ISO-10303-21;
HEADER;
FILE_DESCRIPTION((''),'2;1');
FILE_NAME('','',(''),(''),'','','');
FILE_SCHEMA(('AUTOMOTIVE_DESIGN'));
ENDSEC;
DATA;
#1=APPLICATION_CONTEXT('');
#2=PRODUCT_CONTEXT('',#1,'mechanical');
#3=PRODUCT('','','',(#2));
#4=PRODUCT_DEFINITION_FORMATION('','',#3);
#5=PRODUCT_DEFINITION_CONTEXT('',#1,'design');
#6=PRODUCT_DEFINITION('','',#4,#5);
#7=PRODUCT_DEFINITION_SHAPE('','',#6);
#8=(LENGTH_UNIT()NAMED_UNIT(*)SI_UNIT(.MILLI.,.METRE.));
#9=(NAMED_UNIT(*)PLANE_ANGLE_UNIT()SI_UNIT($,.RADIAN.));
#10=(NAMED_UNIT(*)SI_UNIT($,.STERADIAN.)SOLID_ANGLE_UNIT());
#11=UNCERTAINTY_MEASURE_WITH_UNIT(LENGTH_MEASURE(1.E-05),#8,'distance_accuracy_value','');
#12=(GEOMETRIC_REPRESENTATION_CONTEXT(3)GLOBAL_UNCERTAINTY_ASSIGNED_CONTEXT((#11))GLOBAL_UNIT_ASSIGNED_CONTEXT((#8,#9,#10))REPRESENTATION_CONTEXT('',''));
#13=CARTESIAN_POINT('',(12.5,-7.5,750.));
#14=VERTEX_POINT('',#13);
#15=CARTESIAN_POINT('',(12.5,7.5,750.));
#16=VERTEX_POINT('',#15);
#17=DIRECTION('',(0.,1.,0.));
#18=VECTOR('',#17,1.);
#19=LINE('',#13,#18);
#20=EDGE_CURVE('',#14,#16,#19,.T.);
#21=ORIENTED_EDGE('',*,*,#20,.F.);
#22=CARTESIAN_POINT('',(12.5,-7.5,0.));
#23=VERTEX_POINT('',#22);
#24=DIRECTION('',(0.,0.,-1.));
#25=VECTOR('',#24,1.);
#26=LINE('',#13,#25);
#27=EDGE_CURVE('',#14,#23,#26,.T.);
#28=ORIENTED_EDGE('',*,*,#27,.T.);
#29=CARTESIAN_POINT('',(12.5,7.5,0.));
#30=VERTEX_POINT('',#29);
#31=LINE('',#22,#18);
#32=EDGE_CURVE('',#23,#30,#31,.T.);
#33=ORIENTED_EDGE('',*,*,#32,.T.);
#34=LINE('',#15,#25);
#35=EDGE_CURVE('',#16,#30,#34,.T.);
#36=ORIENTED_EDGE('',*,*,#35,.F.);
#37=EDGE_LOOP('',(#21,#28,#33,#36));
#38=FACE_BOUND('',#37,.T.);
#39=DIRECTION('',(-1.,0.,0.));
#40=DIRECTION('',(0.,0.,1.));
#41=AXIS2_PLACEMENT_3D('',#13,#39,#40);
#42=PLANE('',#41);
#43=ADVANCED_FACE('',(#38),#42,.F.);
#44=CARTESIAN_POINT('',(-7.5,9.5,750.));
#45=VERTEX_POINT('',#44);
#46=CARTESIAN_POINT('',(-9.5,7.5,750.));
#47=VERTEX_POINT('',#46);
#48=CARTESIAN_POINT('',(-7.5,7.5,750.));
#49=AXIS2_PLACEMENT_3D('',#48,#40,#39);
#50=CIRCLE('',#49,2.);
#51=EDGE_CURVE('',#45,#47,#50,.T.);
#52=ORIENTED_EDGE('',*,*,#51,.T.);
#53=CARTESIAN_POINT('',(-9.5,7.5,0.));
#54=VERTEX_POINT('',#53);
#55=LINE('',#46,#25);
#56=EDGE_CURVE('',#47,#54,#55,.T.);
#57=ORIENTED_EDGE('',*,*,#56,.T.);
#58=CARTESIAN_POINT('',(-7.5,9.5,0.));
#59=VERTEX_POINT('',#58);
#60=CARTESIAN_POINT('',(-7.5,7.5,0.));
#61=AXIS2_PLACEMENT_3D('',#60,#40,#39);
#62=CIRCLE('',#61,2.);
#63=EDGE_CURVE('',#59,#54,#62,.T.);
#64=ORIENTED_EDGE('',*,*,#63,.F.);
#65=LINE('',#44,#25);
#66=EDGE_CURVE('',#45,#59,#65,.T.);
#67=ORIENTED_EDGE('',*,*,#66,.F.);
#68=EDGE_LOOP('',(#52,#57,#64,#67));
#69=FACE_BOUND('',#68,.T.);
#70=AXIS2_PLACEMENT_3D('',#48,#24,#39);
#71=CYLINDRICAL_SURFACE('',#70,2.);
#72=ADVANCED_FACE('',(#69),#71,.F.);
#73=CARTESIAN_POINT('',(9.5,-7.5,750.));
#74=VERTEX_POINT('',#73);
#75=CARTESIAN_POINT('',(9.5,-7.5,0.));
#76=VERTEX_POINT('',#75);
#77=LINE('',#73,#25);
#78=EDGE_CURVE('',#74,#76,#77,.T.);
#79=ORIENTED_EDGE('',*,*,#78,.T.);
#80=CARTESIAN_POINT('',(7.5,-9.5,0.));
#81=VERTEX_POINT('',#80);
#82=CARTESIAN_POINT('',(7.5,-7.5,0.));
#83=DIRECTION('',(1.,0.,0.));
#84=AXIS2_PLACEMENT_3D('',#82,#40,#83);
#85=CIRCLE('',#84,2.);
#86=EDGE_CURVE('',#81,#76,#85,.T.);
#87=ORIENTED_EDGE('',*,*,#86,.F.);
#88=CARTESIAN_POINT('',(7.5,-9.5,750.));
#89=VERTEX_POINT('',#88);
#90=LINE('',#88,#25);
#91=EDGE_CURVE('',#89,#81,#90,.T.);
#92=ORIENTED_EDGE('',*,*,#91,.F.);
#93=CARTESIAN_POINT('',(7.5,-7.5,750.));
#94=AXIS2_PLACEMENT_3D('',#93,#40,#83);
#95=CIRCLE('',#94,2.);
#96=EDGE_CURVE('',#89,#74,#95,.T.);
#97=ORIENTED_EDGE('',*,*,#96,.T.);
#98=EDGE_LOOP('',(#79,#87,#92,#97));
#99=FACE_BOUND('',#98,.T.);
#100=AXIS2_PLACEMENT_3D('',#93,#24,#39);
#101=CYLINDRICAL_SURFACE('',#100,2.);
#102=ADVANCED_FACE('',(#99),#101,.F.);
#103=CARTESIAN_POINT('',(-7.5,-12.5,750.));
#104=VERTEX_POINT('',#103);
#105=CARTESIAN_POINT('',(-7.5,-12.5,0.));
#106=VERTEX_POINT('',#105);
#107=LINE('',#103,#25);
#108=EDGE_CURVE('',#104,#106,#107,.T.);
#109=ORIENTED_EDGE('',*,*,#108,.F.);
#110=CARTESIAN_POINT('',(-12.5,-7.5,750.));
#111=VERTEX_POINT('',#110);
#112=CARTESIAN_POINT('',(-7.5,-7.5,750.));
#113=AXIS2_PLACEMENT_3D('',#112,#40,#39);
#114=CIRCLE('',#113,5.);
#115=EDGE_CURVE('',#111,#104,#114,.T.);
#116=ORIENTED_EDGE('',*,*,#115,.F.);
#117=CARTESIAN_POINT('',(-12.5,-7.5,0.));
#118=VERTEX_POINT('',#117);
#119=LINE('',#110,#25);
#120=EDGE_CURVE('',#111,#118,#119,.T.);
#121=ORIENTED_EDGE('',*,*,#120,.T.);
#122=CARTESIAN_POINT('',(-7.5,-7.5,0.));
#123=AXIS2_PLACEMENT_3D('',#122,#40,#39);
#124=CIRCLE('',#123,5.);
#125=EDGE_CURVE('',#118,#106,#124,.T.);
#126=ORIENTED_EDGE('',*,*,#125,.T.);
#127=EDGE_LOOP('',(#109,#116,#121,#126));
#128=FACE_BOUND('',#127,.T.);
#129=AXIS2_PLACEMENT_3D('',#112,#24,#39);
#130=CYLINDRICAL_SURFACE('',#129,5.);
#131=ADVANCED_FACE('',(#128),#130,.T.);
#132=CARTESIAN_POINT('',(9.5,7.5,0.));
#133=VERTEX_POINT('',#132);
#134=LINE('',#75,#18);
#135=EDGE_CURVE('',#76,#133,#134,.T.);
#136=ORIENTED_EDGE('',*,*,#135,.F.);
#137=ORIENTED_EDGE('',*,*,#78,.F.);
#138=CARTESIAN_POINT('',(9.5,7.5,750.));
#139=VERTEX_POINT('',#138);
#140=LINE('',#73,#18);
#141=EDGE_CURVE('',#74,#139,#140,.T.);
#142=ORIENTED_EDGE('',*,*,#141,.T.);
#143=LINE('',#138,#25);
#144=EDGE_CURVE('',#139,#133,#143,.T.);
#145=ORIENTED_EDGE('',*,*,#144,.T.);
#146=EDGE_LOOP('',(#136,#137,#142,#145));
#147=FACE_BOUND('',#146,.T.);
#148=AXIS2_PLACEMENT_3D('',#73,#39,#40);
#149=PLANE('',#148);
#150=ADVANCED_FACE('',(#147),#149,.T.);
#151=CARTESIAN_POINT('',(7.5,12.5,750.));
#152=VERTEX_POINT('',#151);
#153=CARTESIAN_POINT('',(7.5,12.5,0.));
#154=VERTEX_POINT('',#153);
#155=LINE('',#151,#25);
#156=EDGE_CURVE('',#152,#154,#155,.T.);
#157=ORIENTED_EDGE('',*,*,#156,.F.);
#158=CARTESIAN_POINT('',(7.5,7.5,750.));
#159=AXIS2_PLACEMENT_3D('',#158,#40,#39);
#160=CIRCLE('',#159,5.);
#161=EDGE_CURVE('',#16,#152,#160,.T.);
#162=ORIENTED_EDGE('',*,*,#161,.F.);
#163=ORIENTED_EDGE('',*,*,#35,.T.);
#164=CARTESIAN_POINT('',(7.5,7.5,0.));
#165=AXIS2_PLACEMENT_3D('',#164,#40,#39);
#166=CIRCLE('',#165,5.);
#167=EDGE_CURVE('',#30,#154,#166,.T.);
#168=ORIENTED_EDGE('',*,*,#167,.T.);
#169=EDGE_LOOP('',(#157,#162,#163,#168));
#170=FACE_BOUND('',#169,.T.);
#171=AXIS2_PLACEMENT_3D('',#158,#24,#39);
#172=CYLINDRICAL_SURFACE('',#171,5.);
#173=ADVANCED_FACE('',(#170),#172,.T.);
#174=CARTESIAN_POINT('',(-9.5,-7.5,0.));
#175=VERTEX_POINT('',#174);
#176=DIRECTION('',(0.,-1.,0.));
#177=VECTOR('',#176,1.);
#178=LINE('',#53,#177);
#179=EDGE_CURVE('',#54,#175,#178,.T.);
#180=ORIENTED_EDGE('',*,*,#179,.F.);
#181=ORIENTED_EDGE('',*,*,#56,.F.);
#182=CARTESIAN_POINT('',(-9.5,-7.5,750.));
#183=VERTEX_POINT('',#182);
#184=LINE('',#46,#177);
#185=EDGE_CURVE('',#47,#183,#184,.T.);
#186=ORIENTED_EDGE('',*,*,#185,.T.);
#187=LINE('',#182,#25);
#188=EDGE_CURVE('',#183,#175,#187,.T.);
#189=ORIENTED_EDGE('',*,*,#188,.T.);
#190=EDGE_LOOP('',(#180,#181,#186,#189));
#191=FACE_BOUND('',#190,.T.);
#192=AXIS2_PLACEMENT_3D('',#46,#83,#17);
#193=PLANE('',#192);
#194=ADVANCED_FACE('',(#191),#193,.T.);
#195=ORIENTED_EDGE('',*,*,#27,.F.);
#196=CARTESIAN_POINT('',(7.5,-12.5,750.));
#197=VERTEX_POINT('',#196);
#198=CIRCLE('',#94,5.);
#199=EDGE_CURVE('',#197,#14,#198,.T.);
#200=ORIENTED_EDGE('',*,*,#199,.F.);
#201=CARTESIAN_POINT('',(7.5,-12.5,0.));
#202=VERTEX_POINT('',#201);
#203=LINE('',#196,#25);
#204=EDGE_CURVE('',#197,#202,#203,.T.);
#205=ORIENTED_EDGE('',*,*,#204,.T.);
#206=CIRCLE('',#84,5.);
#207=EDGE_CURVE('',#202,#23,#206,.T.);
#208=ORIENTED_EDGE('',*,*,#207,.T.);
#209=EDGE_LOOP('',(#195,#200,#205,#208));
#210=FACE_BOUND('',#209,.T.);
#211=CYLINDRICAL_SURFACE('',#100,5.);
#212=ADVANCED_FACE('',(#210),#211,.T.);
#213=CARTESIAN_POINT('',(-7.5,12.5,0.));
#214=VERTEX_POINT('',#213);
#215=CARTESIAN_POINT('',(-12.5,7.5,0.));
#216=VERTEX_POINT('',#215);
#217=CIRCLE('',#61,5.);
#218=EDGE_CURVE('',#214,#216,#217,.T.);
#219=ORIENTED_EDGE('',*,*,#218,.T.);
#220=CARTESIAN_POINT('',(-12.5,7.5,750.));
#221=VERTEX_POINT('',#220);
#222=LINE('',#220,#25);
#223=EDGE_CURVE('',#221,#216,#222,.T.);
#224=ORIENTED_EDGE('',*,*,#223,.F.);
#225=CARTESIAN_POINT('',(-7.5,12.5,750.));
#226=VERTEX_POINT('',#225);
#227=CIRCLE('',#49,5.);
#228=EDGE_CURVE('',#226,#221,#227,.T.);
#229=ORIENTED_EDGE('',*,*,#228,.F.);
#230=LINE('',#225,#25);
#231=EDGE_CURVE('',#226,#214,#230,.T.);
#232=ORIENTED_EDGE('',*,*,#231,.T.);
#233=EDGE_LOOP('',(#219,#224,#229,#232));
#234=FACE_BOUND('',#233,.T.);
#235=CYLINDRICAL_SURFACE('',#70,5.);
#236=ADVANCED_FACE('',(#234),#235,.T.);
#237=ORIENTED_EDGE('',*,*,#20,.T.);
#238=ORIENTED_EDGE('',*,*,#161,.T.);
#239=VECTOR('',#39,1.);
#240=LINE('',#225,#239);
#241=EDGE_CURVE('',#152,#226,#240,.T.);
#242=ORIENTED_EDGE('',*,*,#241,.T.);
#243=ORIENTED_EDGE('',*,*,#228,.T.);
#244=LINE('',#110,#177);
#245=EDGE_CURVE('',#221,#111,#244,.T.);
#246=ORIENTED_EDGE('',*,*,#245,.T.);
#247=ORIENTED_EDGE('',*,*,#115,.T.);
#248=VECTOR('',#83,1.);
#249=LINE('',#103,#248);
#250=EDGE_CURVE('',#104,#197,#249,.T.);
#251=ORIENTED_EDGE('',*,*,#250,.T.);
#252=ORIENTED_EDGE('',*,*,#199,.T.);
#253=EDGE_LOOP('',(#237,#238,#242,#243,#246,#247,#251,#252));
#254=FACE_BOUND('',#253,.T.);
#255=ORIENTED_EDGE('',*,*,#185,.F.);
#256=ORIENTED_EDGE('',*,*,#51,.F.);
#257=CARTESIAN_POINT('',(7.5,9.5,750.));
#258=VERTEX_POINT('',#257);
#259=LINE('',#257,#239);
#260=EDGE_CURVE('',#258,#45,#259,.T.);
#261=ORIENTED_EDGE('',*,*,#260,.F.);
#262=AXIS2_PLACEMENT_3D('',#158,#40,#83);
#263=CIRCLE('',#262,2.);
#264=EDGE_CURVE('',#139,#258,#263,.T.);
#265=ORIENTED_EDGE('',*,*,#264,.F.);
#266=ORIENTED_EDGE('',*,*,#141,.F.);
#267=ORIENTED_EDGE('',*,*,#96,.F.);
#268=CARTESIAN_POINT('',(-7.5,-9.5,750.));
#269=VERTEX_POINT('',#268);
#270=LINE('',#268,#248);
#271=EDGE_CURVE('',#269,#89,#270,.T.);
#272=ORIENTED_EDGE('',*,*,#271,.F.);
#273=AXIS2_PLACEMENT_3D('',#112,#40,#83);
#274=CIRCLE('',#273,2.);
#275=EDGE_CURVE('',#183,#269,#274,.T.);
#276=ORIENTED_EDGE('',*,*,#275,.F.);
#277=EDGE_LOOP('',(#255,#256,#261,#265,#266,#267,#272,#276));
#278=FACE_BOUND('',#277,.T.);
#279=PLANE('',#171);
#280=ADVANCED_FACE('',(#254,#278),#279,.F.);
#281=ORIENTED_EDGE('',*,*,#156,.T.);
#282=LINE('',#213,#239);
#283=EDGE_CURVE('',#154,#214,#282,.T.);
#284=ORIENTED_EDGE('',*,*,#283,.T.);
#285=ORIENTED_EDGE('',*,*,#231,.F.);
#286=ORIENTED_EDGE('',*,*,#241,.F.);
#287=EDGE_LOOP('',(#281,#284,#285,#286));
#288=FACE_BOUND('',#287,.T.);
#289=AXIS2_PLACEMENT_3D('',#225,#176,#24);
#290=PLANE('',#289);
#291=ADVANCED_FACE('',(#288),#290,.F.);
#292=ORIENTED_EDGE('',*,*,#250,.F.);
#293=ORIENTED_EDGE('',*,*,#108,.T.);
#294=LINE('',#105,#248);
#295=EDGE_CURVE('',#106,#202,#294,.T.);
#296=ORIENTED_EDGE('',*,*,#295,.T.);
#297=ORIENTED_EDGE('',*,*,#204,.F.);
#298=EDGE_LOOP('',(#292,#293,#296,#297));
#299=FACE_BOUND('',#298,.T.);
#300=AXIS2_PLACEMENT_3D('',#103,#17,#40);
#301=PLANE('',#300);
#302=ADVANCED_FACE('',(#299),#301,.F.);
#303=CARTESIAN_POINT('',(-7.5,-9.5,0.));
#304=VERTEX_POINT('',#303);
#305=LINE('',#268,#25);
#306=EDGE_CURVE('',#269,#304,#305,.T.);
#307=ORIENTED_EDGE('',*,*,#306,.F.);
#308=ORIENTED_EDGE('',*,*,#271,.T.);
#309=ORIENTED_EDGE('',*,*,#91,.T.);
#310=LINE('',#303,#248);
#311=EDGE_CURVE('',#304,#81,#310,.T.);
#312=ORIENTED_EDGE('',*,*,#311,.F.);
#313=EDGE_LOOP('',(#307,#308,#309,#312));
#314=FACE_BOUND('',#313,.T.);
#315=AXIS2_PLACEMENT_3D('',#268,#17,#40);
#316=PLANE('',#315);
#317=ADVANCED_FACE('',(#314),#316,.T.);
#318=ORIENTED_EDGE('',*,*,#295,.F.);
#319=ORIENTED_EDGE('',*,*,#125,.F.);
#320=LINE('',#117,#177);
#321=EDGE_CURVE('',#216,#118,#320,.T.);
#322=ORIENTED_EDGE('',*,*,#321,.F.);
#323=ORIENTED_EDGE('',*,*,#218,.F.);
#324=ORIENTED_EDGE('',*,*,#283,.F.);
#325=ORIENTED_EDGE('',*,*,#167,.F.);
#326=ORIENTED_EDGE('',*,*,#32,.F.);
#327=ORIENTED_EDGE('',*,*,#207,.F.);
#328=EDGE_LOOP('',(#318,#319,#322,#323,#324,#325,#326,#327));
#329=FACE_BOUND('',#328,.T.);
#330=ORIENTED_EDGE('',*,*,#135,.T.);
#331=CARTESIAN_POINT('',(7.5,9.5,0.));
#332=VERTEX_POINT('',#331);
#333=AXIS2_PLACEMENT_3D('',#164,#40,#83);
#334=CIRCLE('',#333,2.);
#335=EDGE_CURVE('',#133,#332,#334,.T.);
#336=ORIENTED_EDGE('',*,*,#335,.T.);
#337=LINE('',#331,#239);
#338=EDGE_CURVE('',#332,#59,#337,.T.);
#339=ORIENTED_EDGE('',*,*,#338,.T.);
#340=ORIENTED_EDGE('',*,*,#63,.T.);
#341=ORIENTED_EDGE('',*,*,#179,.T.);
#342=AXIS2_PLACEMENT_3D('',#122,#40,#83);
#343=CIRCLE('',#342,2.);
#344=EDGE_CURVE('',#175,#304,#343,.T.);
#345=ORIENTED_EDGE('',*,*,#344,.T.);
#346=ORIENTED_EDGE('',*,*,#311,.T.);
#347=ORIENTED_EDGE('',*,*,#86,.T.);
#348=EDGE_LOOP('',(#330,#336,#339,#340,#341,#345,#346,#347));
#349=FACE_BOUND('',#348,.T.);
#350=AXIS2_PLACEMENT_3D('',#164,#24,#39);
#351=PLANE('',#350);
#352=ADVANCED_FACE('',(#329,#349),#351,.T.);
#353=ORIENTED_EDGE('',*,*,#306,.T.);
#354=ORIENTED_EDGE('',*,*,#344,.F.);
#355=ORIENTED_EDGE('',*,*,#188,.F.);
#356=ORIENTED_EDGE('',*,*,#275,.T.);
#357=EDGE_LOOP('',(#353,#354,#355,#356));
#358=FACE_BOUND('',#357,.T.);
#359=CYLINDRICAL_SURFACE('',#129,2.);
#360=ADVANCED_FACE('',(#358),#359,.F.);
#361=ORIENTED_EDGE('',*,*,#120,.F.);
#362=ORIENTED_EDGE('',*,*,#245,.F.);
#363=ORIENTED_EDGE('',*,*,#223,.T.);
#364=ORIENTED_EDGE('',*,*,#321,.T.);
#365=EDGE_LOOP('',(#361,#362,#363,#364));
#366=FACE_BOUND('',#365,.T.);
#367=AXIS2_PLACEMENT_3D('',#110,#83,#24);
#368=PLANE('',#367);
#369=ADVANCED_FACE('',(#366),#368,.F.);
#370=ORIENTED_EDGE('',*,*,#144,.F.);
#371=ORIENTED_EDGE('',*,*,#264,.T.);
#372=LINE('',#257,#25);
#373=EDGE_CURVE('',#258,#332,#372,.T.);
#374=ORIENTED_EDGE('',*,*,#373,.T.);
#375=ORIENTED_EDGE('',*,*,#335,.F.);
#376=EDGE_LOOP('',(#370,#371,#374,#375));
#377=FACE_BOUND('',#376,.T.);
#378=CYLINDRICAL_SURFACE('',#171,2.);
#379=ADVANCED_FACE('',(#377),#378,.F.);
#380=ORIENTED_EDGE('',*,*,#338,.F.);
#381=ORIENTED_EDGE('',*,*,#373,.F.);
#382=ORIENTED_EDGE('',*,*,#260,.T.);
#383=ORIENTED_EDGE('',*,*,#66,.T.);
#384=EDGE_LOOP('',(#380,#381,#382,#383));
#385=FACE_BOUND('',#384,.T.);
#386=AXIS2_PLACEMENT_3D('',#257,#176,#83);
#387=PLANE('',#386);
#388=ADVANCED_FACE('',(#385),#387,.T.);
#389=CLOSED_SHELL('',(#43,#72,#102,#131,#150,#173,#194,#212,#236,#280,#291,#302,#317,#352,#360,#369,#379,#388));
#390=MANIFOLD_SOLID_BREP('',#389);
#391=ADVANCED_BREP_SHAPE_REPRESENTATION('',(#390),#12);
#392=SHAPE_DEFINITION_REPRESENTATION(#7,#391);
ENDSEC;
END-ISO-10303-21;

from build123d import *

# Parameters (mm, degrees)
BOSS_EXTRUDE1_DEPTH = 750


with BuildPart() as part:
    # Sketch1 → Boss-Extrude1 (new body)
    with BuildSketch(Plane.XY):
        with BuildLine():
            Line((-7.5, -12.5), (7.5, -12.5))
            ThreePointArc((7.5, -12.5), (11.035533906, -11.035533906), (12.5, -7.5))
            Line((12.5, -7.5), (12.5, 7.5))
            ThreePointArc((12.5, 7.5), (11.035533906, 11.035533906), (7.5, 12.5))
            Line((7.5, 12.5), (-7.5, 12.5))
            ThreePointArc((-7.5, 12.5), (-11.035533906, 11.035533906), (-12.5, 7.5))
            Line((-12.5, 7.5), (-12.5, -7.5))
            ThreePointArc((-12.5, -7.5), (-11.035533906, -11.035533906), (-7.5, -12.5))
        make_face()
        with BuildLine():
            Line((-9.5, 7.5), (-9.5, -7.5))
            ThreePointArc((-9.5, -7.5), (-8.914213562, -8.914213562), (-7.5, -9.5))
            Line((-7.5, -9.5), (7.5, -9.5))
            ThreePointArc((7.5, -9.5), (8.914213562, -8.914213562), (9.5, -7.5))
            Line((9.5, -7.5), (9.5, 7.5))
            ThreePointArc((9.5, 7.5), (8.914213562, 8.914213562), (7.5, 9.5))
            Line((7.5, 9.5), (-7.5, 9.5))
            ThreePointArc((-7.5, 9.5), (-8.914213562, 8.914213562), (-9.5, 7.5))
        make_face(mode=Mode.SUBTRACT)
    extrude(amount=BOSS_EXTRUDE1_DEPTH)


solid = part.part
